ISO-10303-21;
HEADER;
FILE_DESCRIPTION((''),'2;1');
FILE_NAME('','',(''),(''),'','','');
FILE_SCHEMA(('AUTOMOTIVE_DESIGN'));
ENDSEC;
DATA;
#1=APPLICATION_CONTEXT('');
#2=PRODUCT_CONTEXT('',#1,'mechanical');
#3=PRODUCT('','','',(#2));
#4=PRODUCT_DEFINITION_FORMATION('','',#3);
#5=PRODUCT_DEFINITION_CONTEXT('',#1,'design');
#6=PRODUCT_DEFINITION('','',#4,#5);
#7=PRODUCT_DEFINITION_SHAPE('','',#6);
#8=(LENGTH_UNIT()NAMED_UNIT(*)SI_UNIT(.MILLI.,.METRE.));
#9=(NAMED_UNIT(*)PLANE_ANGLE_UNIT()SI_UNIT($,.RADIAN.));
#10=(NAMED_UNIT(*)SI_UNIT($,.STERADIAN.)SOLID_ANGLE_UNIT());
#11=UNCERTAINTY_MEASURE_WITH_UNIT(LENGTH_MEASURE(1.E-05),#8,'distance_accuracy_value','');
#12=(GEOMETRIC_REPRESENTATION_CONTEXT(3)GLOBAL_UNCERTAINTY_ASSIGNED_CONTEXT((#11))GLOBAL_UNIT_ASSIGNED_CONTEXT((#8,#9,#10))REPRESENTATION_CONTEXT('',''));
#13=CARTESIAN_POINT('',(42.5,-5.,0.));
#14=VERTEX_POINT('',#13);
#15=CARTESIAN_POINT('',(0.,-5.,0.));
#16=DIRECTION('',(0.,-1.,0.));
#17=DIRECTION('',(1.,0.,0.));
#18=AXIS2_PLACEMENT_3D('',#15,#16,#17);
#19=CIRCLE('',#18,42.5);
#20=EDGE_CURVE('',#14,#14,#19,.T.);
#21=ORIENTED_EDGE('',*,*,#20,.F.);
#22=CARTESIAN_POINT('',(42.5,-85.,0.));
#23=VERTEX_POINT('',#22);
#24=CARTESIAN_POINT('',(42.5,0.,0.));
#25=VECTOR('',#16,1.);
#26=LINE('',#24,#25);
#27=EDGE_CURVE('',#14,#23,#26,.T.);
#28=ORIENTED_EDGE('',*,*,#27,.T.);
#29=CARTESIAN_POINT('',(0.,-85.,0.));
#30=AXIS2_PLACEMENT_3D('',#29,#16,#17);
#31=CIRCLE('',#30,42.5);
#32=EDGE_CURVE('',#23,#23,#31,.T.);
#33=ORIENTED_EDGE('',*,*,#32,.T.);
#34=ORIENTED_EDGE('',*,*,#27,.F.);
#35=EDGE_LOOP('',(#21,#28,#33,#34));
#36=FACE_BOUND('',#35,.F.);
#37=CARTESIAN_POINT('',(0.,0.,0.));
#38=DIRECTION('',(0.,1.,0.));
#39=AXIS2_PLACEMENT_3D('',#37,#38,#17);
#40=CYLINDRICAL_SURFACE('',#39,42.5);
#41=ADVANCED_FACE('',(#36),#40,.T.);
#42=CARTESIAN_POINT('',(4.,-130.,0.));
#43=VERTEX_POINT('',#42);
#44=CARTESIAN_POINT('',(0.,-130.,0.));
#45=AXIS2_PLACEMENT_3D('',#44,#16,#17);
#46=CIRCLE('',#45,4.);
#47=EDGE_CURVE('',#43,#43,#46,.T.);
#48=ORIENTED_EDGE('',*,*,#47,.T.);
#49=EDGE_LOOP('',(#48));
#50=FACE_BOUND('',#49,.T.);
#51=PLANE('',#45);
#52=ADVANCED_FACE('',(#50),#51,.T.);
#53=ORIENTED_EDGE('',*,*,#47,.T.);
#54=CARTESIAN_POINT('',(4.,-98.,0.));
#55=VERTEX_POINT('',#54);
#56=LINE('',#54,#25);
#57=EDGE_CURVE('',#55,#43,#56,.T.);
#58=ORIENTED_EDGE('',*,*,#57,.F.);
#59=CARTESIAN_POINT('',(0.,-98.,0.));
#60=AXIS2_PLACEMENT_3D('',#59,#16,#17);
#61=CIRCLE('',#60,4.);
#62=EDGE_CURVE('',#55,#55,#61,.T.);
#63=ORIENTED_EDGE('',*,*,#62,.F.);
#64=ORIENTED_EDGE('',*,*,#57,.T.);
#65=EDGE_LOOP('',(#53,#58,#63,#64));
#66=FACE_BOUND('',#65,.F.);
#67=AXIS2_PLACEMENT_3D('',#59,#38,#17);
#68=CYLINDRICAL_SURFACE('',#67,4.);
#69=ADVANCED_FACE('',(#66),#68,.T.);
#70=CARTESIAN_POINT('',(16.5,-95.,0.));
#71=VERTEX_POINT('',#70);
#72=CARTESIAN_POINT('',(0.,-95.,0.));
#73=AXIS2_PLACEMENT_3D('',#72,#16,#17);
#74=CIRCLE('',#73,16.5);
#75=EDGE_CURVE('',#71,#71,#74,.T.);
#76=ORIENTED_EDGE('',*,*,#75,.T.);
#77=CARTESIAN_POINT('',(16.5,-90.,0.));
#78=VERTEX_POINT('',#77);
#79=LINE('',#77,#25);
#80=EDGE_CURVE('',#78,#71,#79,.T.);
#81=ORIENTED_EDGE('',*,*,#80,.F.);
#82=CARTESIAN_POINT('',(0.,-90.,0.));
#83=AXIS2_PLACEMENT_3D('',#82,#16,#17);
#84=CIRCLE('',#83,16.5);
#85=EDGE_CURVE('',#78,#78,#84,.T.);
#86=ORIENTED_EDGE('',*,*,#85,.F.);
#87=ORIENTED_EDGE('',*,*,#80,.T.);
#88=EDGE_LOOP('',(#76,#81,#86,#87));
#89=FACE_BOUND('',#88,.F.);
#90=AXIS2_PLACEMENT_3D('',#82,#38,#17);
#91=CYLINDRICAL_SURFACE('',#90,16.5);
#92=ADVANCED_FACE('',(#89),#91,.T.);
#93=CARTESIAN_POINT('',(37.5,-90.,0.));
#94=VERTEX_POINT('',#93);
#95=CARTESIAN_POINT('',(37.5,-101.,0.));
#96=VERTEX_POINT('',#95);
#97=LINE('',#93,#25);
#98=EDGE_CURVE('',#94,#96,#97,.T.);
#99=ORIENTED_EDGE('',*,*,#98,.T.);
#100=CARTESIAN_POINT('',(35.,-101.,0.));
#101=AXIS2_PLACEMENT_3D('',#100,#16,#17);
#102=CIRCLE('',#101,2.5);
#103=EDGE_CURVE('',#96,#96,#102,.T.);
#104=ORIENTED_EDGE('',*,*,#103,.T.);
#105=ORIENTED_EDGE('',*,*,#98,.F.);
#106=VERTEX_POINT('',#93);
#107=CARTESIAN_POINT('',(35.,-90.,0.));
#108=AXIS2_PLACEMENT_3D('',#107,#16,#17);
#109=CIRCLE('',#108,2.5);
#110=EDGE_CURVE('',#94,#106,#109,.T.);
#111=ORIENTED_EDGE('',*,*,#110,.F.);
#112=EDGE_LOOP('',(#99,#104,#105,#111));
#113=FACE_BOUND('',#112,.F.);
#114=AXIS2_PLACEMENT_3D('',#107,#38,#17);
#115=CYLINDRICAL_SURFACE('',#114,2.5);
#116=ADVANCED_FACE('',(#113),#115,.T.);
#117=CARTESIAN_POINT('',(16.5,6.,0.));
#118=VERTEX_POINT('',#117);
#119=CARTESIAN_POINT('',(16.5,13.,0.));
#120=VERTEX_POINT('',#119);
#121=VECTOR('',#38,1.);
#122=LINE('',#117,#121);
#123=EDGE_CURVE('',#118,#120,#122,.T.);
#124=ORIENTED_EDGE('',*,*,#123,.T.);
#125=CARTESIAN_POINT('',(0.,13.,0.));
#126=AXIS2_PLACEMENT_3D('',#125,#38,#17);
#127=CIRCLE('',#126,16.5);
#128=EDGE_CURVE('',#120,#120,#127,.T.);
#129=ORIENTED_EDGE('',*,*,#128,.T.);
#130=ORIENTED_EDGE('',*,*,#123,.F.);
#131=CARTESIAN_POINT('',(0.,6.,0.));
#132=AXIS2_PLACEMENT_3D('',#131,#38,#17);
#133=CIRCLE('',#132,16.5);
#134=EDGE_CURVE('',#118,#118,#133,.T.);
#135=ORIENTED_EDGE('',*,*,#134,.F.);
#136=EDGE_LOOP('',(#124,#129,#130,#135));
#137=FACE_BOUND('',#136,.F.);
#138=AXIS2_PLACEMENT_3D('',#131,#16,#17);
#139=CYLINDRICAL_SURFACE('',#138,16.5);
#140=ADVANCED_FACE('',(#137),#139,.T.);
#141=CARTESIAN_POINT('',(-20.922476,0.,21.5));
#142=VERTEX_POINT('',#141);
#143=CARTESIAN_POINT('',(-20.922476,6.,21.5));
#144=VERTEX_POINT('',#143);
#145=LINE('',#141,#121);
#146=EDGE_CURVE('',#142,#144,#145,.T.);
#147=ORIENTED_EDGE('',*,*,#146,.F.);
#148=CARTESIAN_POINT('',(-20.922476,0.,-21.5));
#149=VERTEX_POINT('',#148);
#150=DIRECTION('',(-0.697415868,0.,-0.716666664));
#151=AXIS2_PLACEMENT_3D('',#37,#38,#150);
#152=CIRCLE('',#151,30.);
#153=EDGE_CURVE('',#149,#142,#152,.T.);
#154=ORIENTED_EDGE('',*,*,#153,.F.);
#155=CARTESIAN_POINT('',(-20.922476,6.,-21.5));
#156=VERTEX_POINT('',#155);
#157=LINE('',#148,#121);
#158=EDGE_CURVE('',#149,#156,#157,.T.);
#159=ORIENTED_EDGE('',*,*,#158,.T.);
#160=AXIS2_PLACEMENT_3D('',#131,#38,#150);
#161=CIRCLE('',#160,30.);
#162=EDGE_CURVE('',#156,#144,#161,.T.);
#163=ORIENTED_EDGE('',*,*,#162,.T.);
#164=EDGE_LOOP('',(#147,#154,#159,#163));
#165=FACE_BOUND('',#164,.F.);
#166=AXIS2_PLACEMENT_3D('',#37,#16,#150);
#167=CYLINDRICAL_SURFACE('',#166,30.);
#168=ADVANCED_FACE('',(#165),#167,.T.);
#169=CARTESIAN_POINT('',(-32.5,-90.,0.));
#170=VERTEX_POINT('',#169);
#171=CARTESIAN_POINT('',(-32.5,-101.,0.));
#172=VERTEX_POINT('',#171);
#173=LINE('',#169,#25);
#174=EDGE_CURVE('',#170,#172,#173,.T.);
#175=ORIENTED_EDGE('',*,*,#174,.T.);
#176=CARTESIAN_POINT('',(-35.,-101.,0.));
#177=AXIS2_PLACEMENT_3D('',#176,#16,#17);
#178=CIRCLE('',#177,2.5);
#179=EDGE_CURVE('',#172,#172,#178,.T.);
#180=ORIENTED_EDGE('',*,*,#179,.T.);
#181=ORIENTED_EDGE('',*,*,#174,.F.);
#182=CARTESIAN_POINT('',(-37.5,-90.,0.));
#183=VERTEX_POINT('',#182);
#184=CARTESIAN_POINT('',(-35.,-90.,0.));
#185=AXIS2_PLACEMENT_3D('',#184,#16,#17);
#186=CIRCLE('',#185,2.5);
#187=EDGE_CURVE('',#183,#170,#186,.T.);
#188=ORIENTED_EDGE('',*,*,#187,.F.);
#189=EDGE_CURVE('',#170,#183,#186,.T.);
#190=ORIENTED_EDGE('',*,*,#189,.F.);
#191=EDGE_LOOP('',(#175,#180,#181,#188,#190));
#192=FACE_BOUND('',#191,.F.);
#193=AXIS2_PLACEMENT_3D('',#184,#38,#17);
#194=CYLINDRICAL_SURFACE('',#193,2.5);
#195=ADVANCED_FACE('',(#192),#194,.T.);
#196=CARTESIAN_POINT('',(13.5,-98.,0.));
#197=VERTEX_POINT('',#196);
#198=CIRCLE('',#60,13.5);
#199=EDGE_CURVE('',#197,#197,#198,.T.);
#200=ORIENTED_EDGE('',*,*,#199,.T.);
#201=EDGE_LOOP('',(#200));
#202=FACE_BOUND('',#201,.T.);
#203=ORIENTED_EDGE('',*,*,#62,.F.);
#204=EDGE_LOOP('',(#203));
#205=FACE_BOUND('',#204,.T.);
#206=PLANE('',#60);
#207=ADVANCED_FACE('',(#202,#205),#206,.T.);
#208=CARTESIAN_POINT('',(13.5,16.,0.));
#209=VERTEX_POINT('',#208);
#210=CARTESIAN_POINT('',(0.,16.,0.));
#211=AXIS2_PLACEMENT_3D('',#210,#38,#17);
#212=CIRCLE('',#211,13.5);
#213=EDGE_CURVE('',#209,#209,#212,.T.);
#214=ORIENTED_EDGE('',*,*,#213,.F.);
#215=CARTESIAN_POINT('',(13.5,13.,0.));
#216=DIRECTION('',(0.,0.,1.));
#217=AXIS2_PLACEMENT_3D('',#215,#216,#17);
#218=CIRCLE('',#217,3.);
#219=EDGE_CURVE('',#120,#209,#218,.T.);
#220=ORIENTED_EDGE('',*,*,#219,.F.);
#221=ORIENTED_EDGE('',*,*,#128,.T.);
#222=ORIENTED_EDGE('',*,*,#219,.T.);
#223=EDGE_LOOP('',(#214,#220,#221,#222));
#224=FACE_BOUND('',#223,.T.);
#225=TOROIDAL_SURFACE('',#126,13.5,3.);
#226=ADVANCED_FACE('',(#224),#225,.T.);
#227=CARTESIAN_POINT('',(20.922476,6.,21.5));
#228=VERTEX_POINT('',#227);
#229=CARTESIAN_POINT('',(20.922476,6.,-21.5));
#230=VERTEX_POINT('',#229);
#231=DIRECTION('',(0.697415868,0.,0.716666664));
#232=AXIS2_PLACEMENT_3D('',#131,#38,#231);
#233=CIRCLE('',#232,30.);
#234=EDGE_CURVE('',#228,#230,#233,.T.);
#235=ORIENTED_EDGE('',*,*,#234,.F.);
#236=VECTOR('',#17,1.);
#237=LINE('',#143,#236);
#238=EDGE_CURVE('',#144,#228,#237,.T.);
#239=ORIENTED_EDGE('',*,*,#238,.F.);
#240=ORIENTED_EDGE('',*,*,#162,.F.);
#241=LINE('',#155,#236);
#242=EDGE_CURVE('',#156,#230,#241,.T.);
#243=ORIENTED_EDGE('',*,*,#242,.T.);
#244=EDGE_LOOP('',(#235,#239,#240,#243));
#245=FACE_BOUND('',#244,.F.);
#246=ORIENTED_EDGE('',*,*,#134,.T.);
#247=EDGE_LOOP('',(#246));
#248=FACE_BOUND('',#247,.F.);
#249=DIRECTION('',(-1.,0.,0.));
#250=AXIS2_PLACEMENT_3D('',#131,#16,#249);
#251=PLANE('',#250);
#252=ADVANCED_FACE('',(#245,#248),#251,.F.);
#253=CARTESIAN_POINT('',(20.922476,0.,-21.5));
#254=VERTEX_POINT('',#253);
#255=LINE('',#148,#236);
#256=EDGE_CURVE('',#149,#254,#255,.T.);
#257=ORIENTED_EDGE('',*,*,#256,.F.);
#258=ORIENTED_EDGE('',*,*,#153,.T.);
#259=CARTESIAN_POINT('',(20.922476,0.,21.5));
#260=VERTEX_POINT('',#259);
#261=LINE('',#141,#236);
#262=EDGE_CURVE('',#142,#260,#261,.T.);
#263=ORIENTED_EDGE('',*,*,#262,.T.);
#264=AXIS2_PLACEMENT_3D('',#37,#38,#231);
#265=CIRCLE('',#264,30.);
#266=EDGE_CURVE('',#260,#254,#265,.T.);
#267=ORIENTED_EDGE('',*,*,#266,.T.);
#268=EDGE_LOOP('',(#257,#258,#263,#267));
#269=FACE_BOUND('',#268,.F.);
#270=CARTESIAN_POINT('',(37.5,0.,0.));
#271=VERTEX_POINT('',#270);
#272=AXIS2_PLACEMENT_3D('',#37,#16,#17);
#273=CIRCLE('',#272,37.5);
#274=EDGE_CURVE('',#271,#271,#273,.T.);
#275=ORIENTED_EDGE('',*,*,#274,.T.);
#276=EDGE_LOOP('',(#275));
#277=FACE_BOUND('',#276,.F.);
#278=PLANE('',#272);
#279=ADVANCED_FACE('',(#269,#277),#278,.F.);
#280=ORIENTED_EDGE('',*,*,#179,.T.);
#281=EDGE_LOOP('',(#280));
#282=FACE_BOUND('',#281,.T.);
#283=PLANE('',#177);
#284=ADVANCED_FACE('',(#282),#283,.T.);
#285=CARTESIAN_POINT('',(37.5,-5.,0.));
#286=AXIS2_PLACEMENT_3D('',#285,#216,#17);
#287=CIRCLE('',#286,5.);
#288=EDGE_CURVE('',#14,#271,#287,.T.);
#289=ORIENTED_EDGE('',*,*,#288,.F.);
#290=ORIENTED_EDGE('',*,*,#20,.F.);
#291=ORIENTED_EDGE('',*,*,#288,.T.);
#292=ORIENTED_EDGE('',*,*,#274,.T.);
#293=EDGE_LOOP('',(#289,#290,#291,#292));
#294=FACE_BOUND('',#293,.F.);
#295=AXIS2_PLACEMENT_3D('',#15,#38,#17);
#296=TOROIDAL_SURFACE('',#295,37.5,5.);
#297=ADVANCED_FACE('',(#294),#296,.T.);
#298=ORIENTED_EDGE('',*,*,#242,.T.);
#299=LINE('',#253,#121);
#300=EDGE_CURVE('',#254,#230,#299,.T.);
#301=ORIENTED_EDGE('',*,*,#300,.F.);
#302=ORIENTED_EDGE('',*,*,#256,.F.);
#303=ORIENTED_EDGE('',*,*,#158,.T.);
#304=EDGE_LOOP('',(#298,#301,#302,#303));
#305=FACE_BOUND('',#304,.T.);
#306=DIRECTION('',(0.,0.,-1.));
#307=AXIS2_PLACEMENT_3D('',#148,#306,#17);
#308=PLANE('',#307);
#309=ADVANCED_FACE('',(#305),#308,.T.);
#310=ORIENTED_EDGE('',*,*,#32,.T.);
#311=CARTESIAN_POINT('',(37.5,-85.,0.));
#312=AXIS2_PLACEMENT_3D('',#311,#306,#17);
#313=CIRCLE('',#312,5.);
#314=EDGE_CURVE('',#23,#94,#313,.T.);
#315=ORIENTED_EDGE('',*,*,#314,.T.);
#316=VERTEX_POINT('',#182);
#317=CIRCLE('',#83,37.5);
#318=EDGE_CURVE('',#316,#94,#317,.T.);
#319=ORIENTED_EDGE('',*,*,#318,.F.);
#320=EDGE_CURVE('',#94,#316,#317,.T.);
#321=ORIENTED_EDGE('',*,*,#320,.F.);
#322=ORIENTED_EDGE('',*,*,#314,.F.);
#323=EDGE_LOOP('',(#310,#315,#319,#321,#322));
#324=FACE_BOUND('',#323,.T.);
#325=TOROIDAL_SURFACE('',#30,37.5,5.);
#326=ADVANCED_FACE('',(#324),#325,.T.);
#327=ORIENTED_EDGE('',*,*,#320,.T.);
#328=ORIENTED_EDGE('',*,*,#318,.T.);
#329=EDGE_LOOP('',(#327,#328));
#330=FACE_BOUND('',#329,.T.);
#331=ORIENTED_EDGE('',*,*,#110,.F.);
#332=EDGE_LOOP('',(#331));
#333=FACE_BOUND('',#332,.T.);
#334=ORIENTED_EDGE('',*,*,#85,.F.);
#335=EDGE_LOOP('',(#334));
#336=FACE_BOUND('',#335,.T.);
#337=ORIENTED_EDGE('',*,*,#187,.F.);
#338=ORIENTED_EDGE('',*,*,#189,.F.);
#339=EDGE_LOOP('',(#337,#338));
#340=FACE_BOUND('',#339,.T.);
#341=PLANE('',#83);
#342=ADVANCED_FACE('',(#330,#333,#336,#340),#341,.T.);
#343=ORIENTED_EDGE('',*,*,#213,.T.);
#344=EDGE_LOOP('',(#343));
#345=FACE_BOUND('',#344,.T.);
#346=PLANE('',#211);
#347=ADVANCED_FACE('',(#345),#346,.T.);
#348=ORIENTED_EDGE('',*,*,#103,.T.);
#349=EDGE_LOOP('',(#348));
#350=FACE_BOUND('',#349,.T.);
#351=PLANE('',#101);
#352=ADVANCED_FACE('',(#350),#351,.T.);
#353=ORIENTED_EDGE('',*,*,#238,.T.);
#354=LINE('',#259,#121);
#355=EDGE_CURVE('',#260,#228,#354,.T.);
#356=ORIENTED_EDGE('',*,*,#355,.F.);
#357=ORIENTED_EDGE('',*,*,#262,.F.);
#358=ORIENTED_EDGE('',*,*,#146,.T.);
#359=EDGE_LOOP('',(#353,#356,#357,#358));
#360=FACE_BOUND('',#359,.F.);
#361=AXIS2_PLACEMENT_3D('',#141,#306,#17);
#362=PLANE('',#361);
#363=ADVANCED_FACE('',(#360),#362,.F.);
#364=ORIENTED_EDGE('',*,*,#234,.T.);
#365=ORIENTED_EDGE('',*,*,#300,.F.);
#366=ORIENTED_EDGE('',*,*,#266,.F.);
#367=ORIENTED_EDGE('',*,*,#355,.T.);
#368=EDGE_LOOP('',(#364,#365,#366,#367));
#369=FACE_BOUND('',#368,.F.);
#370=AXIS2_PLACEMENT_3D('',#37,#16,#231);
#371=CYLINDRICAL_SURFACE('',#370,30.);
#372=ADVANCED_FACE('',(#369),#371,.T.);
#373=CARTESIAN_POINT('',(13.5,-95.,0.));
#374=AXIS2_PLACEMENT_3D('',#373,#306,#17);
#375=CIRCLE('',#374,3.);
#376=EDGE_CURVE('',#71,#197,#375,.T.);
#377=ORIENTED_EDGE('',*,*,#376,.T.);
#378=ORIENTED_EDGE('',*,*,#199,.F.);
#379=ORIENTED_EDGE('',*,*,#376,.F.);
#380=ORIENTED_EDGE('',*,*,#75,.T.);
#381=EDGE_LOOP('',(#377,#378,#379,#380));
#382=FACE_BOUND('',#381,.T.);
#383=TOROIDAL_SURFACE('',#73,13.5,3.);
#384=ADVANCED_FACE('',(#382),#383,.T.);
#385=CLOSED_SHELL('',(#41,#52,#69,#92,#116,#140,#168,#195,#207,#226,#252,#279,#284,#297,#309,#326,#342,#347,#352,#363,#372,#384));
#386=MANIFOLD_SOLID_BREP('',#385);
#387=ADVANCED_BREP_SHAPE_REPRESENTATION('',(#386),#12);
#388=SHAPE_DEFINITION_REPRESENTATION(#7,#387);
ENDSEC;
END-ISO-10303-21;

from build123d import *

# Parameters (mm, degrees)
SKETCH_R     = 42.5
PAD_DEPTH    = 90
FILLET_R     = 5
FILLET001_R  = 5
SKETCH001_R  = 16.5
PAD001_DEPTH = 8
FILLET002_R  = 3
SKETCH002_R  = 4
PAD002_DEPTH = 32
PAD003_DEPTH = 6
SKETCH004_R  = 16.5
PAD004_DEPTH = 10
FILLET003_R  = 3
SKETCH005_R  = 2.5
PAD005_DEPTH = 11


with BuildPart() as part:
    # Sketch → Pad (new body)
    with BuildSketch(Plane.XZ):
        Circle(SKETCH_R)
    extrude(amount=PAD_DEPTH)

    # Fillet
    fillet_edges = [part.edges().sort_by_distance(p)[0] for p in [
        (-42.5, -90, 0),
    ]]
    fillet(fillet_edges, radius=FILLET_R)

    # Fillet001
    fillet001_edges = [part.edges().sort_by_distance(p)[0] for p in [
        (-42.5, 0, 0),
    ]]
    fillet(fillet001_edges, radius=FILLET001_R)

    # Sketch001 (on Face5 of Fillet001) → Pad001 (join)
    with BuildSketch(Plane.XZ.offset(90)):
        Circle(SKETCH001_R)
    extrude(amount=PAD001_DEPTH)

    # Fillet002
    fillet002_edges = [part.edges().sort_by_distance(p)[0] for p in [
        (-16.5, -98, 0),
    ]]
    fillet(fillet002_edges, radius=FILLET002_R)

    # Sketch002 (on Face4 of Fillet002) → Pad002 (join)
    with BuildSketch(Plane.XZ.offset(98)):
        Circle(SKETCH002_R)
    extrude(amount=PAD002_DEPTH)

    # Sketch003 (on Face10 of Pad002) → Pad003 (join)
    with BuildSketch(Plane(origin=(0, 0, 0), x_dir=(1, 0, 0), z_dir=(0, 1, 0))):
        with BuildLine():
            Line((-20.922476, 21.5), (20.922476, 21.5))
            ThreePointArc((20.922476, -21.5), (30, 0), (20.922476, 21.5))
            Line((-20.922476, -21.5), (20.922476, -21.5))
            ThreePointArc((-20.922476, 21.5), (-30, 0), (-20.922476, -21.5))
        make_face()
    extrude(amount=PAD003_DEPTH)

    # Sketch004 (on Face15 of Pad003) → Pad004 (join)
    with BuildSketch(Plane(origin=(0, 6, 0), x_dir=(1, 0, 0), z_dir=(0, 1, 0))):
        Circle(SKETCH004_R)
    extrude(amount=PAD004_DEPTH)

    # Fillet003
    fillet003_edges = [part.edges().sort_by_distance(p)[0] for p in [
        (-16.5, 16, 0),
    ]]
    fillet(fillet003_edges, radius=FILLET003_R)

    # Sketch005 (on Face13 of Fillet003) → Pad005 (join)
    with BuildSketch(Plane.XZ.offset(90)):
        with Locations((-35, 0)):
            Circle(SKETCH005_R)
        with Locations((35, 0)):
            Circle(SKETCH005_R)
    extrude(amount=PAD005_DEPTH)


solid = part.part
